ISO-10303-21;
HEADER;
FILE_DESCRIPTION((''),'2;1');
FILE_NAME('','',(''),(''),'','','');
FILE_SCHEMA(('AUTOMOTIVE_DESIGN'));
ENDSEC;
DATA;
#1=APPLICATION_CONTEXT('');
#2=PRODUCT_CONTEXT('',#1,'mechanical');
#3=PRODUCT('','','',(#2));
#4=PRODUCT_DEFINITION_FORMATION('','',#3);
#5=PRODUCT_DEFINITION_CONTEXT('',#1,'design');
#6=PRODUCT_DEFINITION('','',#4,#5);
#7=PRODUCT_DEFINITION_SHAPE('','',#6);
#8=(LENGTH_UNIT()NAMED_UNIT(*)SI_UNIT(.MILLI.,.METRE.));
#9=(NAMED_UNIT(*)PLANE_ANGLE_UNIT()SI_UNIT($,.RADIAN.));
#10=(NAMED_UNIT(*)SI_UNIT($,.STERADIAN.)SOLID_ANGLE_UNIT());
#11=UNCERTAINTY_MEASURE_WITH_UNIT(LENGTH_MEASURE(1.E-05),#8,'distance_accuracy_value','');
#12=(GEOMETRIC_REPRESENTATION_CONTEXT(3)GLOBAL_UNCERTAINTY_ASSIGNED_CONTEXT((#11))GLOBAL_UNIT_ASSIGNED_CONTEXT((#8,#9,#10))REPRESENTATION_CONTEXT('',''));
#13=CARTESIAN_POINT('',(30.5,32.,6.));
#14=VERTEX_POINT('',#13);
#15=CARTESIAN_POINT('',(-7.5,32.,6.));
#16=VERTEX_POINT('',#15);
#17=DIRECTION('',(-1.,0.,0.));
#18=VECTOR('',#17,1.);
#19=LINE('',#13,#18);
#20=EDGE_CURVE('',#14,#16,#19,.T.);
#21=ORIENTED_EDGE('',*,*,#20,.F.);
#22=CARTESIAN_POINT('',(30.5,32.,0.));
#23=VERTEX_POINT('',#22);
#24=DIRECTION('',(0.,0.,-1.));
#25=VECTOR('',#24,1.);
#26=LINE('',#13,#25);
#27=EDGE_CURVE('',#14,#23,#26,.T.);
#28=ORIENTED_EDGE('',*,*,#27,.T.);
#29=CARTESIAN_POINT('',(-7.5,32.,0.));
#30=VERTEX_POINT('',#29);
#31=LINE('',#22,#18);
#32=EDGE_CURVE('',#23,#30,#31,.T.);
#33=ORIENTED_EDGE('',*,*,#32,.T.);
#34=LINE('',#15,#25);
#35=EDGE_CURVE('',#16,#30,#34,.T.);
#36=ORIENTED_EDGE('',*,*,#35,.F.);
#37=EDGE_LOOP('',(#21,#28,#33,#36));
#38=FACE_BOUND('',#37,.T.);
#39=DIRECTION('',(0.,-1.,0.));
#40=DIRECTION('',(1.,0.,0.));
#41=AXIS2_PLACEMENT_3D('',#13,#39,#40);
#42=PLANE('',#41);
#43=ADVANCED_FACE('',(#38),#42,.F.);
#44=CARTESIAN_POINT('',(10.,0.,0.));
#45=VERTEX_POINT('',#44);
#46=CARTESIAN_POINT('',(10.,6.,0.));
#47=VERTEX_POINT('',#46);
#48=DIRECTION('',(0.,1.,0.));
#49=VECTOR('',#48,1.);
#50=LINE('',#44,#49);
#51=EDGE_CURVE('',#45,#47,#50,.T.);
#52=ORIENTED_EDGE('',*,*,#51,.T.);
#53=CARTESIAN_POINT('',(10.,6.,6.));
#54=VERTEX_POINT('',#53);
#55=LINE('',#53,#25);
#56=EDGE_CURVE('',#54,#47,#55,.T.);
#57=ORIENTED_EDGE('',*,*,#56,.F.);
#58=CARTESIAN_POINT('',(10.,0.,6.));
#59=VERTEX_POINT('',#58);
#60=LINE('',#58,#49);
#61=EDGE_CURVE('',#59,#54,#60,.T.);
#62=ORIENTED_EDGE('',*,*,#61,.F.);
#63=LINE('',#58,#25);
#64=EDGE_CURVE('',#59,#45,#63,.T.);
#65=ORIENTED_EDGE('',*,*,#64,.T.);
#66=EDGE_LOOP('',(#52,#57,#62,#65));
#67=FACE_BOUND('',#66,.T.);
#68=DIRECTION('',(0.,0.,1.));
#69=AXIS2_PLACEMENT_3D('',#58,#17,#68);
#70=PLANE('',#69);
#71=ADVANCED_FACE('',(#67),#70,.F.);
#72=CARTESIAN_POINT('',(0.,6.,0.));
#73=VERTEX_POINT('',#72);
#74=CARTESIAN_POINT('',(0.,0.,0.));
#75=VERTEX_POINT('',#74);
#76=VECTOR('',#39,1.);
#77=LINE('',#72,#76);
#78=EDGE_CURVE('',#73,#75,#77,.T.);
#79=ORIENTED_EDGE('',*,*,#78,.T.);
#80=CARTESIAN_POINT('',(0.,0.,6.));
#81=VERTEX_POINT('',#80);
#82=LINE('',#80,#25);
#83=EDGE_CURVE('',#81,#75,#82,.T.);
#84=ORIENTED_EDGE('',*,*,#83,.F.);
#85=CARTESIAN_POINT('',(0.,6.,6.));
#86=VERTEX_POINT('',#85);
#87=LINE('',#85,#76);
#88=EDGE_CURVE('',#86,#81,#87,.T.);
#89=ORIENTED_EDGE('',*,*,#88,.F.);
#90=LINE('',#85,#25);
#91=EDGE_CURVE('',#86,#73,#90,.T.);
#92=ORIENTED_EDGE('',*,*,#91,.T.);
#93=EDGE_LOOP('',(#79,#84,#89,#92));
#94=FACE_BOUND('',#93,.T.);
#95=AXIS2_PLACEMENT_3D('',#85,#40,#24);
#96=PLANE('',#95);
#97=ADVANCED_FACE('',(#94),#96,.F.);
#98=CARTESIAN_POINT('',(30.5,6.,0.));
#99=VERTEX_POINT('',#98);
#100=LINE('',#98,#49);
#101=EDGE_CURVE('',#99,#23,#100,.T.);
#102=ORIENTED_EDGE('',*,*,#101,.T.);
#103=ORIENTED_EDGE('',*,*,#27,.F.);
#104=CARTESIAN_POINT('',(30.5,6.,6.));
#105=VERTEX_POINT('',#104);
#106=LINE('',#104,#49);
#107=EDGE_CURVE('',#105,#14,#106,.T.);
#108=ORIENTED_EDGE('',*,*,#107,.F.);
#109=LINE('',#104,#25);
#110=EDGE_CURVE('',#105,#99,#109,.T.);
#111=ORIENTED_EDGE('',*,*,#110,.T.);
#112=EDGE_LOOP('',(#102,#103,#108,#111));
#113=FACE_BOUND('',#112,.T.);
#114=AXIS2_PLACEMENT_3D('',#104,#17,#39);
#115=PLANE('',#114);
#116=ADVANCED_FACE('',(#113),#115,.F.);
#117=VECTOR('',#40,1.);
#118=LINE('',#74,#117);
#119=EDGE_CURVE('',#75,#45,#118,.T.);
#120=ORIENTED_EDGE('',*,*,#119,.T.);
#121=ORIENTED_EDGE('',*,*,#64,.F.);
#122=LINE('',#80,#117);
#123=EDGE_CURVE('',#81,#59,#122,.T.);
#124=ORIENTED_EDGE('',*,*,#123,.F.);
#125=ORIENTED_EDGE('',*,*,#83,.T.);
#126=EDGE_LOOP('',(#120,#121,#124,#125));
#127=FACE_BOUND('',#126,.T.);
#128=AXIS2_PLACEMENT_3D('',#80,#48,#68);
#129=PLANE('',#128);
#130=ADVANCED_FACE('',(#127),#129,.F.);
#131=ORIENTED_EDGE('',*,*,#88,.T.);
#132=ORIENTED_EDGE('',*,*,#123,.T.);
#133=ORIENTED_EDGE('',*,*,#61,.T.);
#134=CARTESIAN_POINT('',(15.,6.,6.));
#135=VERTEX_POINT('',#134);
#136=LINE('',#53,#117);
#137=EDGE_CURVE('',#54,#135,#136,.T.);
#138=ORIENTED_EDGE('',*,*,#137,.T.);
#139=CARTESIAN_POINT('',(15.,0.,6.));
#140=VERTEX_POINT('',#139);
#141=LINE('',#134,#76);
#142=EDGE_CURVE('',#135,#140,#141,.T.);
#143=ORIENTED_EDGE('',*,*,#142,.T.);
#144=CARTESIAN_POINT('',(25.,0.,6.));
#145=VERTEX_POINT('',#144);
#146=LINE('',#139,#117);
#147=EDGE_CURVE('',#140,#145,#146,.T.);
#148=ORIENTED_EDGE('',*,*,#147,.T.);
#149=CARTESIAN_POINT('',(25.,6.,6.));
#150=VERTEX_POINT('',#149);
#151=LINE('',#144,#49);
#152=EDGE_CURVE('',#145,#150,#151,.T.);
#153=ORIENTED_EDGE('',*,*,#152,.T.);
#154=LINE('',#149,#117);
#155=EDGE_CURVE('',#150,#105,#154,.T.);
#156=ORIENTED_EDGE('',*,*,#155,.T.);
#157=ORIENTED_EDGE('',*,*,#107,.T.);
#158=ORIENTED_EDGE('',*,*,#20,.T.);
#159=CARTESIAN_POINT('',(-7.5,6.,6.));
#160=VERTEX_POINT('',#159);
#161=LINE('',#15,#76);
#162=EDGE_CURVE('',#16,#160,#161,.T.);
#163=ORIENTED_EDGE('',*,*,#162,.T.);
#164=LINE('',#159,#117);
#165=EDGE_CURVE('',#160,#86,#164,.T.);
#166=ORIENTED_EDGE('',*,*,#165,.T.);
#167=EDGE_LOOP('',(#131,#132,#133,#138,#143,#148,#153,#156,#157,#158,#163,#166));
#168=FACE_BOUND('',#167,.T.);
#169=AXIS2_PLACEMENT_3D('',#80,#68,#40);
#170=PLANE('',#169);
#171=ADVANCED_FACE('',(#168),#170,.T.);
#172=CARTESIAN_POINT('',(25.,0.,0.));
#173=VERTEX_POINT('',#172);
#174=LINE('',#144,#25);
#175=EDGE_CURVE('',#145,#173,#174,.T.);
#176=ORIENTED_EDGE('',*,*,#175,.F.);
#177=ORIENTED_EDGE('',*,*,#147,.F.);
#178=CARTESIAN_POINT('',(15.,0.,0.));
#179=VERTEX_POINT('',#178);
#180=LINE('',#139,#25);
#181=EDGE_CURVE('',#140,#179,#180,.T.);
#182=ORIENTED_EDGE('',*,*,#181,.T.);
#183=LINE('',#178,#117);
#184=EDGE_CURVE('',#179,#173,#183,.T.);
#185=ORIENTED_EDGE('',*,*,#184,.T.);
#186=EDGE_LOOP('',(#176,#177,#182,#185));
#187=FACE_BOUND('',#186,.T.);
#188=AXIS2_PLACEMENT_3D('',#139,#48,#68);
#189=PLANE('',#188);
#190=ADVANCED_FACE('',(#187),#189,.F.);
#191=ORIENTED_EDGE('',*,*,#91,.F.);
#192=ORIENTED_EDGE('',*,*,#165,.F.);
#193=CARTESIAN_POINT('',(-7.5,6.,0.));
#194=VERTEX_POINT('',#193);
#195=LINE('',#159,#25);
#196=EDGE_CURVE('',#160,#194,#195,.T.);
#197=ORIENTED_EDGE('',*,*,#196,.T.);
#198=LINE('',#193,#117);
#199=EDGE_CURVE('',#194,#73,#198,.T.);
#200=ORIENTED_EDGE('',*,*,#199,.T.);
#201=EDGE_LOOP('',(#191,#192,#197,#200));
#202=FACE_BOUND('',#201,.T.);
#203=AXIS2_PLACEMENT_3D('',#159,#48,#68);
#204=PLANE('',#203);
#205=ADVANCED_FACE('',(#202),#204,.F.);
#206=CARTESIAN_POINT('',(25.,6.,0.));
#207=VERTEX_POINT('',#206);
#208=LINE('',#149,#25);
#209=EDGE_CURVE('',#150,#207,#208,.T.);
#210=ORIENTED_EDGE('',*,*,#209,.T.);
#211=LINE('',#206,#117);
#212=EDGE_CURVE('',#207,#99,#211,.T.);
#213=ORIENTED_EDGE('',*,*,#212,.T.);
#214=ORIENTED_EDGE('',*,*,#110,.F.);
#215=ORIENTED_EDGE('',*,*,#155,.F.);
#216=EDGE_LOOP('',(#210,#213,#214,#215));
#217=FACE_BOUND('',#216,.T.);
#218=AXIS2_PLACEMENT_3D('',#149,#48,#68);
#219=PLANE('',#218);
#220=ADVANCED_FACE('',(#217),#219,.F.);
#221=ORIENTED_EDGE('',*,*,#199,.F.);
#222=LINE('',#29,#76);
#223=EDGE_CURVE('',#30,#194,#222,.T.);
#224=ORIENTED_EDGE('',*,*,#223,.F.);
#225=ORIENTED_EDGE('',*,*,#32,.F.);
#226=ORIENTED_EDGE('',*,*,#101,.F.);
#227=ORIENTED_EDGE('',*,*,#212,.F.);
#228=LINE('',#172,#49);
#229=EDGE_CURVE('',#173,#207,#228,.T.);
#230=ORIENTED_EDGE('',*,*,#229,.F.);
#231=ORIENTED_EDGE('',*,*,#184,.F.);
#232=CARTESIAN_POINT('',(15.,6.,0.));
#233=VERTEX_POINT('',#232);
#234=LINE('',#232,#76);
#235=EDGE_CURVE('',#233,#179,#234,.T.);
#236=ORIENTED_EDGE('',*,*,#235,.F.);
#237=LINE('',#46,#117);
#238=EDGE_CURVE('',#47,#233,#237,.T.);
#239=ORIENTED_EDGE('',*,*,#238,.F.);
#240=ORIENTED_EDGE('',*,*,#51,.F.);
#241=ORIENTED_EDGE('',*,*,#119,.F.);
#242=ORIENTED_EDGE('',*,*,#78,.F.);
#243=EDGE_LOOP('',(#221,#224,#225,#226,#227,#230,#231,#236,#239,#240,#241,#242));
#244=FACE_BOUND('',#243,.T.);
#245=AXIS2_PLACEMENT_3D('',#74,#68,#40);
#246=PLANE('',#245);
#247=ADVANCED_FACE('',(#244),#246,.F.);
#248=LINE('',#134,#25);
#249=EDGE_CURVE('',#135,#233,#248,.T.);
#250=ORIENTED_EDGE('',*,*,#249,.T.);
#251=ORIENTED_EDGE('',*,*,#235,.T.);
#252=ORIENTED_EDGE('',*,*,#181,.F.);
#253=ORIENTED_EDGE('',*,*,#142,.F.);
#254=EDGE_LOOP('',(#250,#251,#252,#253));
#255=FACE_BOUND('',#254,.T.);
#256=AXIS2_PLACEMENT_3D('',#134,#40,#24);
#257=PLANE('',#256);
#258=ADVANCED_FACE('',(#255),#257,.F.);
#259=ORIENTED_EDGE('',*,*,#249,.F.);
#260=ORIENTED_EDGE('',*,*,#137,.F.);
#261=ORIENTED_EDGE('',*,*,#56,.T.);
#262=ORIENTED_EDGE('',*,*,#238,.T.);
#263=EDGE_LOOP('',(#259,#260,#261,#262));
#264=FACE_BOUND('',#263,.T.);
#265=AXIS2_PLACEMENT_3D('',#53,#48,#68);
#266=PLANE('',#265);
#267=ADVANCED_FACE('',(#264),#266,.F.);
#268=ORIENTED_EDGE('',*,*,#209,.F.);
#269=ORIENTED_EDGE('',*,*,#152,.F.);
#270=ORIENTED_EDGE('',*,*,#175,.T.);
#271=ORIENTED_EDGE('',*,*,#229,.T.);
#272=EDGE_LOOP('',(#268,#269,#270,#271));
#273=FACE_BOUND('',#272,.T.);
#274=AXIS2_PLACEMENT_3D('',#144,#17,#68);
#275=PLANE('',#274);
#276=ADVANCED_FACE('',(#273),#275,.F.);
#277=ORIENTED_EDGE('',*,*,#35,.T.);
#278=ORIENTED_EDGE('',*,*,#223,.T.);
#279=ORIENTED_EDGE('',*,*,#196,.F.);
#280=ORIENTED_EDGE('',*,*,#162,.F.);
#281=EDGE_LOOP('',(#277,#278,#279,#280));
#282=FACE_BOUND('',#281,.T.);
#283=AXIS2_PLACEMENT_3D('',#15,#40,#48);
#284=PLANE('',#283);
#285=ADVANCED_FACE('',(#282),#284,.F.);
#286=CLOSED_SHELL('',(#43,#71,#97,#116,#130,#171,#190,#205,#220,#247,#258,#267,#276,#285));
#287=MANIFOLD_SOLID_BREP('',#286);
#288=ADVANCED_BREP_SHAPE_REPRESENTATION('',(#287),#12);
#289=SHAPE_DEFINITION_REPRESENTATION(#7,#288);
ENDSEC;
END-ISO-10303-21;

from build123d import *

# Parameters (mm, degrees)
BOSS_EXTRUDE1_DEPTH = 6


with BuildPart() as part:
    # Sketch1 → Boss-Extrude1 (new body)
    with BuildSketch(Plane.XY):
        Polygon((0, 0), (10, 0), (10, 6), (15, 6), (15, 0), (25, 0), (25, 6), (30.5, 6), (30.5, 32), (-7.5, 32), (-7.5, 6), (0, 6), align=None)
    extrude(amount=BOSS_EXTRUDE1_DEPTH)


solid = part.part
